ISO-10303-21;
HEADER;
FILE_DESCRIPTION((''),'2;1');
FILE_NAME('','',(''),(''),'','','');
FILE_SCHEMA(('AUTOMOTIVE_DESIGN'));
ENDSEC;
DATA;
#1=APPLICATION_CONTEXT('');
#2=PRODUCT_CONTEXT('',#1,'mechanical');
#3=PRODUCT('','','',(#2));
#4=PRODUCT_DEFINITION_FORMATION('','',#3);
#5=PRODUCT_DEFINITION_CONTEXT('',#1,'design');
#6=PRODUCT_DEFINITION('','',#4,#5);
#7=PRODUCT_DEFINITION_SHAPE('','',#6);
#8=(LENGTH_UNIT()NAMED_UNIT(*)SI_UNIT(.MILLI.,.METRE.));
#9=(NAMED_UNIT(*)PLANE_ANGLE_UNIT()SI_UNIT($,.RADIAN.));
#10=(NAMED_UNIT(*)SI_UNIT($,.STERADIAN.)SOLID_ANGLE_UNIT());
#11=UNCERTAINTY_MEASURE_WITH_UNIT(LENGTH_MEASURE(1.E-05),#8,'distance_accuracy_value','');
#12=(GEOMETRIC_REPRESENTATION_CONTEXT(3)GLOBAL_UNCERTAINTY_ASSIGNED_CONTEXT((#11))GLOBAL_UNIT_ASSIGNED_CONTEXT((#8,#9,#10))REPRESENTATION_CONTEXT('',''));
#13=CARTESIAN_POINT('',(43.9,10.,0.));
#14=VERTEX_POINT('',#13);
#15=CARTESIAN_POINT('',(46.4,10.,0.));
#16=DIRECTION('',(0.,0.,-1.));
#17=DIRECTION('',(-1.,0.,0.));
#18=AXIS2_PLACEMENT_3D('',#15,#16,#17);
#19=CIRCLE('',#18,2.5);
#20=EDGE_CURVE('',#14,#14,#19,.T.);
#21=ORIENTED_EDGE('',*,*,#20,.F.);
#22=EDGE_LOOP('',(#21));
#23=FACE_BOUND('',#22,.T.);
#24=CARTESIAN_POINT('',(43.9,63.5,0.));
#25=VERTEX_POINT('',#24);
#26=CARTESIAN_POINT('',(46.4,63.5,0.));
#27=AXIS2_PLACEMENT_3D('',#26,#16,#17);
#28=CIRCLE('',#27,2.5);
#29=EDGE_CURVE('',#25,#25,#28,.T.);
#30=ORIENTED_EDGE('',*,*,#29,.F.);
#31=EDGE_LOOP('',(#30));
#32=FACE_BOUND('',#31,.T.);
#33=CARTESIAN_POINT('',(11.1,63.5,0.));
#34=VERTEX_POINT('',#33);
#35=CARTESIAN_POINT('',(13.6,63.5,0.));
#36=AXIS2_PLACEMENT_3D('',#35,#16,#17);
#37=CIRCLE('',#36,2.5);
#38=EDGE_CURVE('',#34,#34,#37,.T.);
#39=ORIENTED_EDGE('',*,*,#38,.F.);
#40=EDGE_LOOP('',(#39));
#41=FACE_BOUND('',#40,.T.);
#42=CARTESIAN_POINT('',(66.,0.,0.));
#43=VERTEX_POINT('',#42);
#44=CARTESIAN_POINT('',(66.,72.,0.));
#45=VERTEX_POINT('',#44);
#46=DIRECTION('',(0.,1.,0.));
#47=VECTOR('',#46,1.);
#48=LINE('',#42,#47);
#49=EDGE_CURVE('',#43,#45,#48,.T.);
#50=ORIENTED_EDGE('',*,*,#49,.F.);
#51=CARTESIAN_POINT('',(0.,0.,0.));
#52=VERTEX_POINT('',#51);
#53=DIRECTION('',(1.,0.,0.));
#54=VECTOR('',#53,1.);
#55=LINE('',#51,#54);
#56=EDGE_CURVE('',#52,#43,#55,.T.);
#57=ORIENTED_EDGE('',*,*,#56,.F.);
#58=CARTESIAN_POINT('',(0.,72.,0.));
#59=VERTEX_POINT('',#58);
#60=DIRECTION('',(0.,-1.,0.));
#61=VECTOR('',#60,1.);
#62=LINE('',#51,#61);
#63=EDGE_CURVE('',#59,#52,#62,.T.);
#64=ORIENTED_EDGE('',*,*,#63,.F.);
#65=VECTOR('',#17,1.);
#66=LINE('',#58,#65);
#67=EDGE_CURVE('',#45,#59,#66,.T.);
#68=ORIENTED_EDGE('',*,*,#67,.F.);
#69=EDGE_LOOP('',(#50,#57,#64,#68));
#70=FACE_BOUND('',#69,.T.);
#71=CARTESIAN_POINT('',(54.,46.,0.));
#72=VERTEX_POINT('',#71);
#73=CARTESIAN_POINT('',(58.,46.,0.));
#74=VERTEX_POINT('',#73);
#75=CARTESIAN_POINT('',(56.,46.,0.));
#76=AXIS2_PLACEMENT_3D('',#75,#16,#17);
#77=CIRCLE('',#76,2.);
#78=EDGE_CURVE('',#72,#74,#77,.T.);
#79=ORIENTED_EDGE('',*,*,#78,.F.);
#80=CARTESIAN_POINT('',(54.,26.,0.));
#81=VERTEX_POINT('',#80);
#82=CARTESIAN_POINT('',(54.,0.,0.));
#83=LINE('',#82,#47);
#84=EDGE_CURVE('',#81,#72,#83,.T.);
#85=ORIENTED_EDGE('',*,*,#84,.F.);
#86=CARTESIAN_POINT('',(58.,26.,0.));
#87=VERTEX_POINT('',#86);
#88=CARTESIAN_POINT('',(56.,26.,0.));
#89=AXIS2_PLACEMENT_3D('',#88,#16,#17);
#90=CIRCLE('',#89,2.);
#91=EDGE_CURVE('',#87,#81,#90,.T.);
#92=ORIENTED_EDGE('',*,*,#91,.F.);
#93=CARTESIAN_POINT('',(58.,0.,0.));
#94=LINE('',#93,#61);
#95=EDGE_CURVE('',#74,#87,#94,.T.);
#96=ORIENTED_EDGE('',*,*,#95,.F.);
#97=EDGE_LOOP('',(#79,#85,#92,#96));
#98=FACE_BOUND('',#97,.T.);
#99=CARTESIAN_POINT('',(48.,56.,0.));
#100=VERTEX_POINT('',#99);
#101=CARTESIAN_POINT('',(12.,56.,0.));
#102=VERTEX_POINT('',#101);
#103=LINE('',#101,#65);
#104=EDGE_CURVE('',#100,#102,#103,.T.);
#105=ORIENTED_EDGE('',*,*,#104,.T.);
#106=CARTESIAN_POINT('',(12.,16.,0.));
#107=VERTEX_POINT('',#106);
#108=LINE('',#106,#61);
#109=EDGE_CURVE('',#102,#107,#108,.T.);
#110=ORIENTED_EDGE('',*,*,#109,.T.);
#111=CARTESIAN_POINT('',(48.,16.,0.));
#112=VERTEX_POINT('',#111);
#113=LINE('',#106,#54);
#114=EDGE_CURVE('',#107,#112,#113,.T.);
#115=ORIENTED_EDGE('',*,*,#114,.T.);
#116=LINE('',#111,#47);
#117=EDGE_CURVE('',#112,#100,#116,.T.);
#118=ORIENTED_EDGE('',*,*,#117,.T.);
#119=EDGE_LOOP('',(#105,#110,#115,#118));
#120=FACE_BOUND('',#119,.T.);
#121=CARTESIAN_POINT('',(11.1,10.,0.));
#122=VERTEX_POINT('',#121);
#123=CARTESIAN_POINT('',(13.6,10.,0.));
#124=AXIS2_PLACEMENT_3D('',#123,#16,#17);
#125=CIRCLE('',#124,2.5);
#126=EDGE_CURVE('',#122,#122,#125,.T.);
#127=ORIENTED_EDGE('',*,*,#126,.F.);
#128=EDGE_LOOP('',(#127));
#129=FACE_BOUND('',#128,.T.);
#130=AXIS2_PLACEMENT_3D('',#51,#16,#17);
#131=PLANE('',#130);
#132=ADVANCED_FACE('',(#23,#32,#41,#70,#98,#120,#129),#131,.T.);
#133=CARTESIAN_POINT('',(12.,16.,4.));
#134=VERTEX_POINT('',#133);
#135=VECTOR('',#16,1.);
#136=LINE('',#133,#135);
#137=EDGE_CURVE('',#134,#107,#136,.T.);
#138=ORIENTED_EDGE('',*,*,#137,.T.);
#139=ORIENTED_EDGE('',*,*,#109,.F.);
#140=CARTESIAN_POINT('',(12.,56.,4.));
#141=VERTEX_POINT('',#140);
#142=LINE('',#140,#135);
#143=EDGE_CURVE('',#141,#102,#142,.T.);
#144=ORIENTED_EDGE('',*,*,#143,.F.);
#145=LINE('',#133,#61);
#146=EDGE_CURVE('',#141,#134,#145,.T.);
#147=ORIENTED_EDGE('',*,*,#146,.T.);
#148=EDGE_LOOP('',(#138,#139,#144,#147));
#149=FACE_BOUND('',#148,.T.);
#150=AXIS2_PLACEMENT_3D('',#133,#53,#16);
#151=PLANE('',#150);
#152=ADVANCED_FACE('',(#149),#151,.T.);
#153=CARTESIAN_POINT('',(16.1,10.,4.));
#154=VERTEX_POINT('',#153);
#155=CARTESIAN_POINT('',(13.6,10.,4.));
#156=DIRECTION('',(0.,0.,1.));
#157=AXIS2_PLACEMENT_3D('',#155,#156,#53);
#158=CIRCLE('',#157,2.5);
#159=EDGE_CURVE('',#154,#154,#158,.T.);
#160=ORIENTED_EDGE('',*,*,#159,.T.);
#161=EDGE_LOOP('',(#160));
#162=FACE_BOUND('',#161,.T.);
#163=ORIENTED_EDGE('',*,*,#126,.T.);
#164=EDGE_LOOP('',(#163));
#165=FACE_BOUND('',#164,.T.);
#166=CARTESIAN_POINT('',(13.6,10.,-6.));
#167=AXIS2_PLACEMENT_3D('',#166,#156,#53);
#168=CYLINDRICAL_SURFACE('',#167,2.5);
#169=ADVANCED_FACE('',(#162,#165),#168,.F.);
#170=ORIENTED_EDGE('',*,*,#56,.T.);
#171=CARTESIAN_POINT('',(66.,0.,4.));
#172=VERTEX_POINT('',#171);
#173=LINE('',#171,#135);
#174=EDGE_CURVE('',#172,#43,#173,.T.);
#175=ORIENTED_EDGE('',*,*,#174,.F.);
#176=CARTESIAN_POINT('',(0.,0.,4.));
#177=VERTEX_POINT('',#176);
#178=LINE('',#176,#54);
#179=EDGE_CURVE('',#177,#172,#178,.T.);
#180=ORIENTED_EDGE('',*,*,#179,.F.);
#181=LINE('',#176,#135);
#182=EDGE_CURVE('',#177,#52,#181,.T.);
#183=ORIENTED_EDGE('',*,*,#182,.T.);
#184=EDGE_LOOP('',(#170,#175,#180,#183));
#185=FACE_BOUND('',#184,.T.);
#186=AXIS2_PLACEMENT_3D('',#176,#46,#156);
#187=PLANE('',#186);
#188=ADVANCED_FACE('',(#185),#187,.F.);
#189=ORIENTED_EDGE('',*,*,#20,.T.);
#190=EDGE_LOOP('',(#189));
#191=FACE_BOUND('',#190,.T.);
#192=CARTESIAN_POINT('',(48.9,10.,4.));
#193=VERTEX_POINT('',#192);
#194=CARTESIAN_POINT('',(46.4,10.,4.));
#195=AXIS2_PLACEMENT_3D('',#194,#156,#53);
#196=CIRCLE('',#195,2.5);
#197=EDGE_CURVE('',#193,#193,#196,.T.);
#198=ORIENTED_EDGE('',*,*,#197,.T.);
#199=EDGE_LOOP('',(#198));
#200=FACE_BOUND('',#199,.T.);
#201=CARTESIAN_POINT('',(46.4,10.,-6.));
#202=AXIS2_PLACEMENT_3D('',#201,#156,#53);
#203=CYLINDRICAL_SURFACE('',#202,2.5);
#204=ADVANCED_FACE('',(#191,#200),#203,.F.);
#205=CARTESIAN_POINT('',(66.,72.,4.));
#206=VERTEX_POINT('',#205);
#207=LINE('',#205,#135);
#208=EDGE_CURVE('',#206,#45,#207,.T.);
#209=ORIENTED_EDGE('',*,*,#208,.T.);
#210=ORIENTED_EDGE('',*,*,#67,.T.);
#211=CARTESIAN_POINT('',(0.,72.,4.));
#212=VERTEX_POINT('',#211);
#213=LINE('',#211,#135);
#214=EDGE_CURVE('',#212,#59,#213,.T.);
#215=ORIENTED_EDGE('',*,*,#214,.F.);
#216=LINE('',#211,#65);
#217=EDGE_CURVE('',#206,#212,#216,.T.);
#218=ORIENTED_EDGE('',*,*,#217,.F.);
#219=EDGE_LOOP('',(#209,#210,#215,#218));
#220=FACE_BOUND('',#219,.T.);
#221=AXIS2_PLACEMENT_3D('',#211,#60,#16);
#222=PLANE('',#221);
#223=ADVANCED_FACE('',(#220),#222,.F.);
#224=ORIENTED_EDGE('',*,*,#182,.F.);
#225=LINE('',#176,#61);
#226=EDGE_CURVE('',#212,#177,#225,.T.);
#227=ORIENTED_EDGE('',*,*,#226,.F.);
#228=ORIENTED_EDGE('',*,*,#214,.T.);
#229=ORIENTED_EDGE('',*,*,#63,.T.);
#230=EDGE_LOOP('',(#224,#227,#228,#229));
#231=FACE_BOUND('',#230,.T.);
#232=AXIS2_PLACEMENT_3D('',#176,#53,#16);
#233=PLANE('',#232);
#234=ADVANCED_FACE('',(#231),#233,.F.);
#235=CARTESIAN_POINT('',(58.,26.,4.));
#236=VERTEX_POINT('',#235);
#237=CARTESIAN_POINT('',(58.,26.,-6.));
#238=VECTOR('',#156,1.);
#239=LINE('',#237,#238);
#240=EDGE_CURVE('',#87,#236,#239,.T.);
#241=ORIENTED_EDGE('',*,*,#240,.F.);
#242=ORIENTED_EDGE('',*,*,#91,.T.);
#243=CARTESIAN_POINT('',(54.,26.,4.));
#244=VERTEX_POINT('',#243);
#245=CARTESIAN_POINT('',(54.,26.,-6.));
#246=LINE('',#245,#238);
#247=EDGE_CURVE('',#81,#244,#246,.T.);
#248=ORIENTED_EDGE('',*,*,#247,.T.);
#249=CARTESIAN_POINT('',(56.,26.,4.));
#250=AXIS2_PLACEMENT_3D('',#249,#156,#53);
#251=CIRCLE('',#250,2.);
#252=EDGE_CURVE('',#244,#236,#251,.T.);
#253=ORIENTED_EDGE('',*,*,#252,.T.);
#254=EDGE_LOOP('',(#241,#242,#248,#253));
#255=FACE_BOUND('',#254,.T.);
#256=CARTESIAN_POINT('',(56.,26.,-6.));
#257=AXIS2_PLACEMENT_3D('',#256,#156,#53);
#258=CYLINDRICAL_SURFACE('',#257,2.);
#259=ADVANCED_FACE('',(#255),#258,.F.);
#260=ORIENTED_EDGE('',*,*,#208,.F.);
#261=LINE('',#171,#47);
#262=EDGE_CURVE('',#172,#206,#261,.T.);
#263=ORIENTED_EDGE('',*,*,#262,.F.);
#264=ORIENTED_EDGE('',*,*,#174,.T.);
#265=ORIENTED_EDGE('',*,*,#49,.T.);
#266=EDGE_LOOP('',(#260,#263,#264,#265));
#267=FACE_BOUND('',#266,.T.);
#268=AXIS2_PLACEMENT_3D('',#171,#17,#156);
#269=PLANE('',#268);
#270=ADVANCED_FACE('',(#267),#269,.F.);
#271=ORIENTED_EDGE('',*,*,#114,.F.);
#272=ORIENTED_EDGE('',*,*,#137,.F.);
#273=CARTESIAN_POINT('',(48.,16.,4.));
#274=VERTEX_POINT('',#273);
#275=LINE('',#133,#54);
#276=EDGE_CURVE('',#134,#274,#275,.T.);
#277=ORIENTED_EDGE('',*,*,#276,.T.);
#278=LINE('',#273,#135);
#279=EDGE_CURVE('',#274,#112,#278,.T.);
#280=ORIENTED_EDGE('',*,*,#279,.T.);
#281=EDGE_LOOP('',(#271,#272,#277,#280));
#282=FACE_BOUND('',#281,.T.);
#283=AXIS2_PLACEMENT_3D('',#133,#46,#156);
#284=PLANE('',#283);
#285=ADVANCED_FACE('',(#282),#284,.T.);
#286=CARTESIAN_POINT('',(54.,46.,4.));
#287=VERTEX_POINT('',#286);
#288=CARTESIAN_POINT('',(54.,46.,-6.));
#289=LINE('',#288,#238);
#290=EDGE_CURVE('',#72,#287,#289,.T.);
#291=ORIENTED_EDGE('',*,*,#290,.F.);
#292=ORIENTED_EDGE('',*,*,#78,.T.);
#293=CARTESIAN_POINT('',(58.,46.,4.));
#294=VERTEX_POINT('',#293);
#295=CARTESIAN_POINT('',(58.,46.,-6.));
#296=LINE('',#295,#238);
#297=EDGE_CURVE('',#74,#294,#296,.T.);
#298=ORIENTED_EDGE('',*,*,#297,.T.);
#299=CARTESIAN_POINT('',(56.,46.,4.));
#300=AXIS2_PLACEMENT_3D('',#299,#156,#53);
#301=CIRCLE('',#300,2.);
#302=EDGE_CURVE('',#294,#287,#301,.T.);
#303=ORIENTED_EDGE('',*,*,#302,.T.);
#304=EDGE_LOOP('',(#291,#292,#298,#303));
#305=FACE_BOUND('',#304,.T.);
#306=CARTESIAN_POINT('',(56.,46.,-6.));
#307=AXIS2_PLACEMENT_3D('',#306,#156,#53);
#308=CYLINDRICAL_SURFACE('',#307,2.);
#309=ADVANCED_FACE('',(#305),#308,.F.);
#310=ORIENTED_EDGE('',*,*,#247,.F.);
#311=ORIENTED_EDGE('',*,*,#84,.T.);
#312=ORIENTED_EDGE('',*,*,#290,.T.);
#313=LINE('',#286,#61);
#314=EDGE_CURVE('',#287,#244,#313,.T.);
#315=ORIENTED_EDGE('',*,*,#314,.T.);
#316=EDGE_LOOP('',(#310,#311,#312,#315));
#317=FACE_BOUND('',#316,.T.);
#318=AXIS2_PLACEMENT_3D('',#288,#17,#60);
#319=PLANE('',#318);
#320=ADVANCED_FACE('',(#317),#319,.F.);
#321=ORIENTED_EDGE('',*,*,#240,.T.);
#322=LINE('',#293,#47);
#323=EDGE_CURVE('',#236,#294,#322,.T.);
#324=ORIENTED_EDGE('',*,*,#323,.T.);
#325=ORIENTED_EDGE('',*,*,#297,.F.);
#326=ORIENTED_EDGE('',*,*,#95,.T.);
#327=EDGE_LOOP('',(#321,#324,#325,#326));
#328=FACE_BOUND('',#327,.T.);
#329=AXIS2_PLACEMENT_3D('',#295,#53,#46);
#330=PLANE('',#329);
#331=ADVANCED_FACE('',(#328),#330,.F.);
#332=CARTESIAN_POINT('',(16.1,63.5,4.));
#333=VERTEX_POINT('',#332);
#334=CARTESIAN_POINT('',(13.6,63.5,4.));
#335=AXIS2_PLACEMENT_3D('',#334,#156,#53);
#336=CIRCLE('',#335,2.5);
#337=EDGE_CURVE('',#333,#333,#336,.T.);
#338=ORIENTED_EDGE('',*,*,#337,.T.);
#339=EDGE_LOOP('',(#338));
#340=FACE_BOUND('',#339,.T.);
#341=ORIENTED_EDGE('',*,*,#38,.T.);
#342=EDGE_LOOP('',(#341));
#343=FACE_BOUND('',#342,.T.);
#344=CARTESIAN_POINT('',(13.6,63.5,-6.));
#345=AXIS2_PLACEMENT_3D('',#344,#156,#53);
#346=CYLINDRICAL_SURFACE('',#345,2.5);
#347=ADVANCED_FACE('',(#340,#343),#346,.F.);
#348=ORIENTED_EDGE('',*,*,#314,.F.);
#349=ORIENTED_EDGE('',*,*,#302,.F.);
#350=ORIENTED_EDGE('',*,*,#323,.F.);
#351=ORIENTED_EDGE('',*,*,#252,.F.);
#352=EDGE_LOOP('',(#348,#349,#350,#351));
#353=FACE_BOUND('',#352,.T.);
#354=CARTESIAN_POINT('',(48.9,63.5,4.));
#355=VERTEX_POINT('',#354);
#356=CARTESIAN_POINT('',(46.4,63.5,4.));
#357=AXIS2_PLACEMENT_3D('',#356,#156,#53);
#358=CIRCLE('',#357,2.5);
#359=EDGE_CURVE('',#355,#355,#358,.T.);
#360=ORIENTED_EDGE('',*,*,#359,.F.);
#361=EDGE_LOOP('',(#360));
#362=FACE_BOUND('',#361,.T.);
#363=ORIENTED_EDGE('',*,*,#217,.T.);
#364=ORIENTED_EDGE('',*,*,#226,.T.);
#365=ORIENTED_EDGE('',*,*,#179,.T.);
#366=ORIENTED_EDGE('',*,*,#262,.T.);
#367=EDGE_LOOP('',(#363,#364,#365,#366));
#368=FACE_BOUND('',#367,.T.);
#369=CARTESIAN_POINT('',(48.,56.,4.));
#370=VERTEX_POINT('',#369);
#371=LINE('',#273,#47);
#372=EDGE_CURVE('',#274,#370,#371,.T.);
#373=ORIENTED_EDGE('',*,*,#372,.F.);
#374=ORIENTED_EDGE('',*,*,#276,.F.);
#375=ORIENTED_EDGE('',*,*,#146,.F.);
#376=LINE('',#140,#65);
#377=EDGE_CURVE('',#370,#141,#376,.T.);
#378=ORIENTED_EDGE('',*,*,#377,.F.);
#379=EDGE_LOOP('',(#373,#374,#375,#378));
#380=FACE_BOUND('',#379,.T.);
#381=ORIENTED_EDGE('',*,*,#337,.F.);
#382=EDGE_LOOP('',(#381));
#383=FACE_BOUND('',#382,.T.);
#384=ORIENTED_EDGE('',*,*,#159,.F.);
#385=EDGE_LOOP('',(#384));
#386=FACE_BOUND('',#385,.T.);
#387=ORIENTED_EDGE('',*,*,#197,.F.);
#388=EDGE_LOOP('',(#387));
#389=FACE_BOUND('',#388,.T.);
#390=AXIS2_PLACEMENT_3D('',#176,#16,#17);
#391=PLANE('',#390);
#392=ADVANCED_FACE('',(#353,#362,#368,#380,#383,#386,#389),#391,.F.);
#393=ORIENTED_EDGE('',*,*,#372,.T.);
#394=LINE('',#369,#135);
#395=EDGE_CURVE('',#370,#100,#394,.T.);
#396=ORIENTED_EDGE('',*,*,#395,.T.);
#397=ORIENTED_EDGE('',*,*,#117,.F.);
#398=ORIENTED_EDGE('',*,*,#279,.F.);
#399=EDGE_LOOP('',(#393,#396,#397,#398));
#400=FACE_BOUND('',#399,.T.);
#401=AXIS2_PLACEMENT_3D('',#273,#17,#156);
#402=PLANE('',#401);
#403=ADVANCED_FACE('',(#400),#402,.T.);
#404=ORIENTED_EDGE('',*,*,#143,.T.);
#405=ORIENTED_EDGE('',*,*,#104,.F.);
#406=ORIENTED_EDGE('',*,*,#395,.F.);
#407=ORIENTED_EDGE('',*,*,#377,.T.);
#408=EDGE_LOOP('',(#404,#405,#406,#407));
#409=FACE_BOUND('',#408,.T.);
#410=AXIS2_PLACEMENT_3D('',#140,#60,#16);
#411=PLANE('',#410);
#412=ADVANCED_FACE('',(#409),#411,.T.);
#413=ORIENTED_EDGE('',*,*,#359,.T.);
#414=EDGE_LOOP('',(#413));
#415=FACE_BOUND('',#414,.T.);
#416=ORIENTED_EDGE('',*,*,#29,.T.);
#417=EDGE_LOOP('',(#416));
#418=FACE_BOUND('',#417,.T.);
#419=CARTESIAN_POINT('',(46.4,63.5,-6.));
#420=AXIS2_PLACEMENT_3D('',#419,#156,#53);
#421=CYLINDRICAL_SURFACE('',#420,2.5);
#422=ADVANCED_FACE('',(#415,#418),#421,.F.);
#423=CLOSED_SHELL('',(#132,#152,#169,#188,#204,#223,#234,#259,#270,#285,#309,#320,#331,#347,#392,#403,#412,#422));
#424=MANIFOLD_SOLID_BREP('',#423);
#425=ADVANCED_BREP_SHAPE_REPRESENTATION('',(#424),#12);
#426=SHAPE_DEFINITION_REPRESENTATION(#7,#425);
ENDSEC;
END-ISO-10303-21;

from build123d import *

# Parameters (mm, degrees)
SKETCH1_W           = 66
SKETCH1_H           = 72
SKETCH1_W_2         = 36
SKETCH1_H_2         = 40
BOSS_EXTRUDE1_DEPTH = 4
SKETCH2_R           = 2.5
CUT_EXTRUDE1_DEPTH  = 10
CUT_EXTRUDE3_DEPTH  = 10


with BuildPart() as part:
    # Sketch1 → Boss-Extrude1 (new body)
    with BuildSketch(Plane.XY):
        with Locations((33, 36)):
            Rectangle(SKETCH1_W, SKETCH1_H)
        with Locations((30, 36)):
            Rectangle(SKETCH1_W_2, SKETCH1_H_2, mode=Mode.SUBTRACT)
    extrude(amount=BOSS_EXTRUDE1_DEPTH)

    # Sketch2 → Cut-Extrude1 (cut)
    with BuildSketch(Plane.XY.offset(4)):
        with Locations((46.4, 63.5)):
            Circle(SKETCH2_R)
        with Locations((13.6, 63.5)):
            Circle(SKETCH2_R)
        with Locations((13.6, 10)):
            Circle(SKETCH2_R)
        with Locations((46.4, 10)):
            Circle(SKETCH2_R)
    extrude(amount=-CUT_EXTRUDE1_DEPTH, mode=Mode.SUBTRACT)

    # Sketch4 → Cut-Extrude3 (cut)
    with BuildSketch(Plane.XY.offset(4)):
        with BuildLine():
            Line((58, 46), (58, 26))
            ThreePointArc((58, 26), (56, 24), (54, 26))
            Line((54, 26), (54, 46))
            ThreePointArc((54, 46), (56, 48), (58, 46))
        make_face()
    extrude(amount=-CUT_EXTRUDE3_DEPTH, mode=Mode.SUBTRACT)


solid = part.part
